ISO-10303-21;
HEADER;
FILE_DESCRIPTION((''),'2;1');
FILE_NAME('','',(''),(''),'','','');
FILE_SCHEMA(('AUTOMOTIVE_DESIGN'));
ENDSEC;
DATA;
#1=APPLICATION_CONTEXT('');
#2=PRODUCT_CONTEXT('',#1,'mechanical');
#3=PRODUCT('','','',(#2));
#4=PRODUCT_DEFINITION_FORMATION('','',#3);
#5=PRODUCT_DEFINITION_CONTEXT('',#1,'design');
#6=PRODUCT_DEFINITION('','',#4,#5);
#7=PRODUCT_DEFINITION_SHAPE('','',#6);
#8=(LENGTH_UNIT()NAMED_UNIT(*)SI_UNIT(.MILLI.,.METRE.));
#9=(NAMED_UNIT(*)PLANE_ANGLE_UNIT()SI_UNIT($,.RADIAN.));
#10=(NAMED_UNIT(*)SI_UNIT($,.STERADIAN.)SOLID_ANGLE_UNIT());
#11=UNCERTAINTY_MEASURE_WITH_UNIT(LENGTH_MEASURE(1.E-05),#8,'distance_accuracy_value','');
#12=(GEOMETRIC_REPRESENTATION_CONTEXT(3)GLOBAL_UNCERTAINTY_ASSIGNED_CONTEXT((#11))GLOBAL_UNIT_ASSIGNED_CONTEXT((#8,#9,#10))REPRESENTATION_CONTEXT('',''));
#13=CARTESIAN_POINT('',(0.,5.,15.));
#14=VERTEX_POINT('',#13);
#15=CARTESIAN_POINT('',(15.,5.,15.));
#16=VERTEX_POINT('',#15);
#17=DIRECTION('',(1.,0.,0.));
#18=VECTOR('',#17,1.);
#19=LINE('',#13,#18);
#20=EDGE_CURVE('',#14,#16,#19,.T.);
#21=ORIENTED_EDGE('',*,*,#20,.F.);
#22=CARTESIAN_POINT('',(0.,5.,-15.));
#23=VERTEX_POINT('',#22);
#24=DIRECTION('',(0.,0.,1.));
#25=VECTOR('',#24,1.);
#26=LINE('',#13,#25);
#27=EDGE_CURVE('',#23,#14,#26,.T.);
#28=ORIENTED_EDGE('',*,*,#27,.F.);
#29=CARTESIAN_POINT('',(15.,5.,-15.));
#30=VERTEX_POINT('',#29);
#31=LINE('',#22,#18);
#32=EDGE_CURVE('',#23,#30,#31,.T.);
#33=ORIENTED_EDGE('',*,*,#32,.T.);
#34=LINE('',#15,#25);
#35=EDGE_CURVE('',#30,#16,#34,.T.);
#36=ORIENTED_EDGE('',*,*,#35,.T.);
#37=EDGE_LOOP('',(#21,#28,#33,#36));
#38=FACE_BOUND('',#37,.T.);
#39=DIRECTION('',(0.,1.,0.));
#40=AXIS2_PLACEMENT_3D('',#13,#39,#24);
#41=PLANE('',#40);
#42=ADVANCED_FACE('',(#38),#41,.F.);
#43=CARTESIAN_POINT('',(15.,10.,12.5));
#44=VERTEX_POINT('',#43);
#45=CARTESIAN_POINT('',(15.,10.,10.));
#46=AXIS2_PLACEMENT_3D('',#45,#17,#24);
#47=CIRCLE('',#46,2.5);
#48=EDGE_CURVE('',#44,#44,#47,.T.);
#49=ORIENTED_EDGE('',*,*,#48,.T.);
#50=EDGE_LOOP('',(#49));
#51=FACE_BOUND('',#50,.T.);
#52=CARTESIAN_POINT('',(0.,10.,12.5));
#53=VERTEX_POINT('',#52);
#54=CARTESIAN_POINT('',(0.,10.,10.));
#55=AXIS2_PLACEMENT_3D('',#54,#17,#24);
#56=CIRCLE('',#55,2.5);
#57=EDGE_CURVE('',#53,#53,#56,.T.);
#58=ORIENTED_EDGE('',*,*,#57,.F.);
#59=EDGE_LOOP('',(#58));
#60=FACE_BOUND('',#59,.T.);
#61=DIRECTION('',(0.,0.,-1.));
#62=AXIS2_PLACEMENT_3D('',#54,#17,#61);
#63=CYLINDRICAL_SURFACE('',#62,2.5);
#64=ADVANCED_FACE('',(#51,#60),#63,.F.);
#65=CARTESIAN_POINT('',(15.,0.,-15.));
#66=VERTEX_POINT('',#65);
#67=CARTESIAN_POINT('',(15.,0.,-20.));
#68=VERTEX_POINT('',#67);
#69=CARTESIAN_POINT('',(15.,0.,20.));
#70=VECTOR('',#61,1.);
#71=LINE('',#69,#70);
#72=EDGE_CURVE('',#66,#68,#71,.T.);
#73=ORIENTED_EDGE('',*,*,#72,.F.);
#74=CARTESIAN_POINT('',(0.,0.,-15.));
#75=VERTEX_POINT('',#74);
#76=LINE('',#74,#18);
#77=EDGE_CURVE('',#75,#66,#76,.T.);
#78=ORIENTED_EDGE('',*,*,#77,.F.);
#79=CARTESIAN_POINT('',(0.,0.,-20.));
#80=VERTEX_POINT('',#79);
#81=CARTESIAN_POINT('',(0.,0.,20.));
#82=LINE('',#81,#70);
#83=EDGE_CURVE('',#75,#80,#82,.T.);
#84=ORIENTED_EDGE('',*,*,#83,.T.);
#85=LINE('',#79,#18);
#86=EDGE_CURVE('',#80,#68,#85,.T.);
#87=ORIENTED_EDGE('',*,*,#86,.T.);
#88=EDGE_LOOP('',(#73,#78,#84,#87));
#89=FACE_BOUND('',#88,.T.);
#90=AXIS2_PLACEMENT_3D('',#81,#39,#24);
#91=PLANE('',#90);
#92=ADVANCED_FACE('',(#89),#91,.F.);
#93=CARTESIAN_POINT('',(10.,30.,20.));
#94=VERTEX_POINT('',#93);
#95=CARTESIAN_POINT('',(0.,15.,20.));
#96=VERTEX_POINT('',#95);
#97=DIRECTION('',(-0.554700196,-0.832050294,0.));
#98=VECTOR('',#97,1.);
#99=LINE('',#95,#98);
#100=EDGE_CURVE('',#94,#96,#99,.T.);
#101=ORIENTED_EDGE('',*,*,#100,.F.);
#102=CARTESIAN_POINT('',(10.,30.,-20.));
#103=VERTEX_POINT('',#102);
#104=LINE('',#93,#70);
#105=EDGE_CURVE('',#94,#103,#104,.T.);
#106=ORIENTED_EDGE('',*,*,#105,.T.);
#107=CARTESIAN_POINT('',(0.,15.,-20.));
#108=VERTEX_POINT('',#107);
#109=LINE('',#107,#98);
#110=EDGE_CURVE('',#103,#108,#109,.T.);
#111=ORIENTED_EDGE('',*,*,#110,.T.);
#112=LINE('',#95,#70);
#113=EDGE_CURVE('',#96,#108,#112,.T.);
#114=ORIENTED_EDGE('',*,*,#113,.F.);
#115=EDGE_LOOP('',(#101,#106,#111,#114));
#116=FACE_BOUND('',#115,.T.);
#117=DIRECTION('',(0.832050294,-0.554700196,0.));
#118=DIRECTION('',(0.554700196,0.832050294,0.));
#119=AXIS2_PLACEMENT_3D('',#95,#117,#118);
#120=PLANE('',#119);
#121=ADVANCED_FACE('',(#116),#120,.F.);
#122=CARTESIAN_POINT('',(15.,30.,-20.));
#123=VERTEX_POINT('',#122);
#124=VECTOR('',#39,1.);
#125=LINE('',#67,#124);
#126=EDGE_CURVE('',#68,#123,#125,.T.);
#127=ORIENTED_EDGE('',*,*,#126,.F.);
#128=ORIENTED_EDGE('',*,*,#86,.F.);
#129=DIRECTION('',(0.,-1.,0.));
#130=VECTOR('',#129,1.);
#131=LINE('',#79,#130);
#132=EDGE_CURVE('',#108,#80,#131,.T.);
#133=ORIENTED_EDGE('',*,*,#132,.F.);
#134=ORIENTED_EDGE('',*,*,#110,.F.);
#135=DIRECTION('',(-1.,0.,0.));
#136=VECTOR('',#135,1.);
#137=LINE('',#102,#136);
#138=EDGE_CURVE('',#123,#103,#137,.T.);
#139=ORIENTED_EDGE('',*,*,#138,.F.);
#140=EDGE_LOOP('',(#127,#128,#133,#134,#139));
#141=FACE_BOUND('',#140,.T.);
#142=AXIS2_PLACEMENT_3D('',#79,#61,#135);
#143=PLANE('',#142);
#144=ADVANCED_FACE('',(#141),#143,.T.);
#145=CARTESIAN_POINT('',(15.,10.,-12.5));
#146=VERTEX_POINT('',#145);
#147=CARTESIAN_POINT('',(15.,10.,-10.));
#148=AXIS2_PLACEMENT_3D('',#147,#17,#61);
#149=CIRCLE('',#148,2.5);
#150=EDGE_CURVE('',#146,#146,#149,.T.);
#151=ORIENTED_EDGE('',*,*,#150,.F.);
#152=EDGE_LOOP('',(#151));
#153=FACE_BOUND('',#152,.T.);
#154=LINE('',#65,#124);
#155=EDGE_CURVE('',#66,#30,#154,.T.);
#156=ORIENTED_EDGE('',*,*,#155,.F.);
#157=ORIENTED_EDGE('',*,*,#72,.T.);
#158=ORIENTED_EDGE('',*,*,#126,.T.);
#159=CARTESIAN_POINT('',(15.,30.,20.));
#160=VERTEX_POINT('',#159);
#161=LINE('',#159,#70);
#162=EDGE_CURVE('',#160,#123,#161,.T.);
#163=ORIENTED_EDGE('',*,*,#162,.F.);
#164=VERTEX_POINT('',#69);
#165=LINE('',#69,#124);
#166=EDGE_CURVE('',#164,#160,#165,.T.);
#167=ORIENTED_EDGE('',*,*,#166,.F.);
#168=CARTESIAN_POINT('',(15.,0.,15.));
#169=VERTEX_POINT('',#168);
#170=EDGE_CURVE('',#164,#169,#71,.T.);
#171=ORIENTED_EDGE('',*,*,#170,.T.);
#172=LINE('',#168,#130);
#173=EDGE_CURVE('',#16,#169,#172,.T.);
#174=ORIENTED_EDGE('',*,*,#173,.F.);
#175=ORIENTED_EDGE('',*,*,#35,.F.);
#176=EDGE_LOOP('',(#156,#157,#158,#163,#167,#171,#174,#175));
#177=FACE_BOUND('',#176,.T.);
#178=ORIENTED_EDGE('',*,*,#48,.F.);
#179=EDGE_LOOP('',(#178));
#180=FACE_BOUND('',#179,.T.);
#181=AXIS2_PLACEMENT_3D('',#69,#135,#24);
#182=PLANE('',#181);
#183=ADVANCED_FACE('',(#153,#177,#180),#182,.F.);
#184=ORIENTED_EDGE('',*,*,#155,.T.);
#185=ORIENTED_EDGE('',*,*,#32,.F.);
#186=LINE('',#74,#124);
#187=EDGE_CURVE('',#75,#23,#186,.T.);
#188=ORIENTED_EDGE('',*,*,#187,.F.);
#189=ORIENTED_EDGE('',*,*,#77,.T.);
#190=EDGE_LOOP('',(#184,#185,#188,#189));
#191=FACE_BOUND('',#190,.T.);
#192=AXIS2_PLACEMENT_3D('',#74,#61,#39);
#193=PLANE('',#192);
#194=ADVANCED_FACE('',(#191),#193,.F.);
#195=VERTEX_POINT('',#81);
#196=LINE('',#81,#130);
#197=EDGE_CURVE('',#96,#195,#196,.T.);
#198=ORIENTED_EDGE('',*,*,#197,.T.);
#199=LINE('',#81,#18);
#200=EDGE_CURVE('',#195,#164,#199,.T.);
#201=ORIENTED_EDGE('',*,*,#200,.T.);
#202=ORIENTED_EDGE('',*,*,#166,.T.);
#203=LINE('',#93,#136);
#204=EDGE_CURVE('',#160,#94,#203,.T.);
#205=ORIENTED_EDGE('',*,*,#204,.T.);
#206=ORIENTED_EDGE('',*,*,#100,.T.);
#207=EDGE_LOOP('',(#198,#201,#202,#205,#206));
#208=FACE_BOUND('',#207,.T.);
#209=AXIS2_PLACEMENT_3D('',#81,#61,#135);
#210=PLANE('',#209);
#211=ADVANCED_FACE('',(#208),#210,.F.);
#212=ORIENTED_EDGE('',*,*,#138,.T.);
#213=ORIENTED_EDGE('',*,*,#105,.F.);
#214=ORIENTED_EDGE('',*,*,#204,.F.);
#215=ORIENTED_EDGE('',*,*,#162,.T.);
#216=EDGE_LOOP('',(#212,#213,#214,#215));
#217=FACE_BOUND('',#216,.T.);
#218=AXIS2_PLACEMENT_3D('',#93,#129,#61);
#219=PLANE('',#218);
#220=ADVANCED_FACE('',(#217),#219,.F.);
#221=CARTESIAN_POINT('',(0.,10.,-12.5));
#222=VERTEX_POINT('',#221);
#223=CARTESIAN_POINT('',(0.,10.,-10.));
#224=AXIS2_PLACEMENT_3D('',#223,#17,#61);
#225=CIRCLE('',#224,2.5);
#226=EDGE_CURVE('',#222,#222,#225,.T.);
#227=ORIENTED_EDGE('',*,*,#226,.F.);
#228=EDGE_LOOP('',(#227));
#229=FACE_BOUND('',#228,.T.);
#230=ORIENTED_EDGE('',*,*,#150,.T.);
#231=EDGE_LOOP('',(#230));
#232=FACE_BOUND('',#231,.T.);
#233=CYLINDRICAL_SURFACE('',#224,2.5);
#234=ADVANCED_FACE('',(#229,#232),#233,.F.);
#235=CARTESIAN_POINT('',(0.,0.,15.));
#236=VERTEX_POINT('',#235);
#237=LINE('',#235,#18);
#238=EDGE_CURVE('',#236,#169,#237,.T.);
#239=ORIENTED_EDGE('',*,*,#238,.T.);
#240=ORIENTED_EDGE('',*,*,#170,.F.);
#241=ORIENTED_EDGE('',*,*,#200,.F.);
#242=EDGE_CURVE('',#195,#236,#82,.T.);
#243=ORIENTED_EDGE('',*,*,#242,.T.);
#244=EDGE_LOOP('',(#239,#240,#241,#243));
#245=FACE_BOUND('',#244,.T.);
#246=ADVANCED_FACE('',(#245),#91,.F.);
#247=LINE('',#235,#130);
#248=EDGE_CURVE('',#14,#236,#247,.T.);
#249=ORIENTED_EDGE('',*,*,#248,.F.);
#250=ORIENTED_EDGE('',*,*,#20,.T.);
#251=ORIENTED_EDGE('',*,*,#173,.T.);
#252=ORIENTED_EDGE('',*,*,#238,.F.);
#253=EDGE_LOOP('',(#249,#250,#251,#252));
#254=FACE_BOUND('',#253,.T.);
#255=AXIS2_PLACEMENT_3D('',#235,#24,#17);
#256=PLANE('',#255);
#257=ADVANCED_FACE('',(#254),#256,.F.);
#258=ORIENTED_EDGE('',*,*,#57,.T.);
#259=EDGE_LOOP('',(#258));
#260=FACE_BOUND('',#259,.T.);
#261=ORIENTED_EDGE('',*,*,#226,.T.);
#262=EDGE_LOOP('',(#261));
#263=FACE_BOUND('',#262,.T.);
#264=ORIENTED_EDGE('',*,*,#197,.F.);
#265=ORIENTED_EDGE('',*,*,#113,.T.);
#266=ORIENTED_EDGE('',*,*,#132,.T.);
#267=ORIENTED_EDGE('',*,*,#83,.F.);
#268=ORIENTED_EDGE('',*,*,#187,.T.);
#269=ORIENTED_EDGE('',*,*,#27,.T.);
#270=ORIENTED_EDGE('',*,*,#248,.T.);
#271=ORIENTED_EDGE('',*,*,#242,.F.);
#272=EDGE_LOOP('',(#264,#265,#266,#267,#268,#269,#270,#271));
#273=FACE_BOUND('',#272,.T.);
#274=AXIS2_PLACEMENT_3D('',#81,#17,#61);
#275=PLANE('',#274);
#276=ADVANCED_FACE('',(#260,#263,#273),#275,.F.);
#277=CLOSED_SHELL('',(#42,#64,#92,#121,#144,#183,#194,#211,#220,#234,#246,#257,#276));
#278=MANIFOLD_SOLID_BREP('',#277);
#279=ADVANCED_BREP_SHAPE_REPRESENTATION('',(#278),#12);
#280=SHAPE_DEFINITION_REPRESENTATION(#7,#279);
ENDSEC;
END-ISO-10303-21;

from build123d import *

# Parameters (mm, degrees)
BOSS_EXTRUDE1_DEPTH = 20
SKETCH2_R           = 2.5
SKETCH2_W           = 30
SKETCH2_H           = 5
CUT_EXTRUDE1_DEPTH  = 40.05124838


with BuildPart() as part:
    # Sketch1 → Boss-Extrude1 (new, symmetric)
    with BuildSketch(Plane.XY):
        Polygon((0, 0), (15, 0), (15, 30), (10, 30), (0, 15), align=None)
    extrude(amount=BOSS_EXTRUDE1_DEPTH, both=True)

    # Sketch2 → Cut-Extrude1 (cut, through all)
    with BuildSketch(Plane(origin=(15, 0, 0), x_dir=(0, 0, -1), z_dir=(1, 0, 0))):
        with Locations((10, 10)):
            Circle(SKETCH2_R)
        with Locations(Location((-10, 10, 0), (0, 0, 180))):
            Circle(SKETCH2_R)
        with Locations((0, 2.5)):
            Rectangle(SKETCH2_W, SKETCH2_H)
    extrude(amount=-CUT_EXTRUDE1_DEPTH, mode=Mode.SUBTRACT)


solid = part.part
